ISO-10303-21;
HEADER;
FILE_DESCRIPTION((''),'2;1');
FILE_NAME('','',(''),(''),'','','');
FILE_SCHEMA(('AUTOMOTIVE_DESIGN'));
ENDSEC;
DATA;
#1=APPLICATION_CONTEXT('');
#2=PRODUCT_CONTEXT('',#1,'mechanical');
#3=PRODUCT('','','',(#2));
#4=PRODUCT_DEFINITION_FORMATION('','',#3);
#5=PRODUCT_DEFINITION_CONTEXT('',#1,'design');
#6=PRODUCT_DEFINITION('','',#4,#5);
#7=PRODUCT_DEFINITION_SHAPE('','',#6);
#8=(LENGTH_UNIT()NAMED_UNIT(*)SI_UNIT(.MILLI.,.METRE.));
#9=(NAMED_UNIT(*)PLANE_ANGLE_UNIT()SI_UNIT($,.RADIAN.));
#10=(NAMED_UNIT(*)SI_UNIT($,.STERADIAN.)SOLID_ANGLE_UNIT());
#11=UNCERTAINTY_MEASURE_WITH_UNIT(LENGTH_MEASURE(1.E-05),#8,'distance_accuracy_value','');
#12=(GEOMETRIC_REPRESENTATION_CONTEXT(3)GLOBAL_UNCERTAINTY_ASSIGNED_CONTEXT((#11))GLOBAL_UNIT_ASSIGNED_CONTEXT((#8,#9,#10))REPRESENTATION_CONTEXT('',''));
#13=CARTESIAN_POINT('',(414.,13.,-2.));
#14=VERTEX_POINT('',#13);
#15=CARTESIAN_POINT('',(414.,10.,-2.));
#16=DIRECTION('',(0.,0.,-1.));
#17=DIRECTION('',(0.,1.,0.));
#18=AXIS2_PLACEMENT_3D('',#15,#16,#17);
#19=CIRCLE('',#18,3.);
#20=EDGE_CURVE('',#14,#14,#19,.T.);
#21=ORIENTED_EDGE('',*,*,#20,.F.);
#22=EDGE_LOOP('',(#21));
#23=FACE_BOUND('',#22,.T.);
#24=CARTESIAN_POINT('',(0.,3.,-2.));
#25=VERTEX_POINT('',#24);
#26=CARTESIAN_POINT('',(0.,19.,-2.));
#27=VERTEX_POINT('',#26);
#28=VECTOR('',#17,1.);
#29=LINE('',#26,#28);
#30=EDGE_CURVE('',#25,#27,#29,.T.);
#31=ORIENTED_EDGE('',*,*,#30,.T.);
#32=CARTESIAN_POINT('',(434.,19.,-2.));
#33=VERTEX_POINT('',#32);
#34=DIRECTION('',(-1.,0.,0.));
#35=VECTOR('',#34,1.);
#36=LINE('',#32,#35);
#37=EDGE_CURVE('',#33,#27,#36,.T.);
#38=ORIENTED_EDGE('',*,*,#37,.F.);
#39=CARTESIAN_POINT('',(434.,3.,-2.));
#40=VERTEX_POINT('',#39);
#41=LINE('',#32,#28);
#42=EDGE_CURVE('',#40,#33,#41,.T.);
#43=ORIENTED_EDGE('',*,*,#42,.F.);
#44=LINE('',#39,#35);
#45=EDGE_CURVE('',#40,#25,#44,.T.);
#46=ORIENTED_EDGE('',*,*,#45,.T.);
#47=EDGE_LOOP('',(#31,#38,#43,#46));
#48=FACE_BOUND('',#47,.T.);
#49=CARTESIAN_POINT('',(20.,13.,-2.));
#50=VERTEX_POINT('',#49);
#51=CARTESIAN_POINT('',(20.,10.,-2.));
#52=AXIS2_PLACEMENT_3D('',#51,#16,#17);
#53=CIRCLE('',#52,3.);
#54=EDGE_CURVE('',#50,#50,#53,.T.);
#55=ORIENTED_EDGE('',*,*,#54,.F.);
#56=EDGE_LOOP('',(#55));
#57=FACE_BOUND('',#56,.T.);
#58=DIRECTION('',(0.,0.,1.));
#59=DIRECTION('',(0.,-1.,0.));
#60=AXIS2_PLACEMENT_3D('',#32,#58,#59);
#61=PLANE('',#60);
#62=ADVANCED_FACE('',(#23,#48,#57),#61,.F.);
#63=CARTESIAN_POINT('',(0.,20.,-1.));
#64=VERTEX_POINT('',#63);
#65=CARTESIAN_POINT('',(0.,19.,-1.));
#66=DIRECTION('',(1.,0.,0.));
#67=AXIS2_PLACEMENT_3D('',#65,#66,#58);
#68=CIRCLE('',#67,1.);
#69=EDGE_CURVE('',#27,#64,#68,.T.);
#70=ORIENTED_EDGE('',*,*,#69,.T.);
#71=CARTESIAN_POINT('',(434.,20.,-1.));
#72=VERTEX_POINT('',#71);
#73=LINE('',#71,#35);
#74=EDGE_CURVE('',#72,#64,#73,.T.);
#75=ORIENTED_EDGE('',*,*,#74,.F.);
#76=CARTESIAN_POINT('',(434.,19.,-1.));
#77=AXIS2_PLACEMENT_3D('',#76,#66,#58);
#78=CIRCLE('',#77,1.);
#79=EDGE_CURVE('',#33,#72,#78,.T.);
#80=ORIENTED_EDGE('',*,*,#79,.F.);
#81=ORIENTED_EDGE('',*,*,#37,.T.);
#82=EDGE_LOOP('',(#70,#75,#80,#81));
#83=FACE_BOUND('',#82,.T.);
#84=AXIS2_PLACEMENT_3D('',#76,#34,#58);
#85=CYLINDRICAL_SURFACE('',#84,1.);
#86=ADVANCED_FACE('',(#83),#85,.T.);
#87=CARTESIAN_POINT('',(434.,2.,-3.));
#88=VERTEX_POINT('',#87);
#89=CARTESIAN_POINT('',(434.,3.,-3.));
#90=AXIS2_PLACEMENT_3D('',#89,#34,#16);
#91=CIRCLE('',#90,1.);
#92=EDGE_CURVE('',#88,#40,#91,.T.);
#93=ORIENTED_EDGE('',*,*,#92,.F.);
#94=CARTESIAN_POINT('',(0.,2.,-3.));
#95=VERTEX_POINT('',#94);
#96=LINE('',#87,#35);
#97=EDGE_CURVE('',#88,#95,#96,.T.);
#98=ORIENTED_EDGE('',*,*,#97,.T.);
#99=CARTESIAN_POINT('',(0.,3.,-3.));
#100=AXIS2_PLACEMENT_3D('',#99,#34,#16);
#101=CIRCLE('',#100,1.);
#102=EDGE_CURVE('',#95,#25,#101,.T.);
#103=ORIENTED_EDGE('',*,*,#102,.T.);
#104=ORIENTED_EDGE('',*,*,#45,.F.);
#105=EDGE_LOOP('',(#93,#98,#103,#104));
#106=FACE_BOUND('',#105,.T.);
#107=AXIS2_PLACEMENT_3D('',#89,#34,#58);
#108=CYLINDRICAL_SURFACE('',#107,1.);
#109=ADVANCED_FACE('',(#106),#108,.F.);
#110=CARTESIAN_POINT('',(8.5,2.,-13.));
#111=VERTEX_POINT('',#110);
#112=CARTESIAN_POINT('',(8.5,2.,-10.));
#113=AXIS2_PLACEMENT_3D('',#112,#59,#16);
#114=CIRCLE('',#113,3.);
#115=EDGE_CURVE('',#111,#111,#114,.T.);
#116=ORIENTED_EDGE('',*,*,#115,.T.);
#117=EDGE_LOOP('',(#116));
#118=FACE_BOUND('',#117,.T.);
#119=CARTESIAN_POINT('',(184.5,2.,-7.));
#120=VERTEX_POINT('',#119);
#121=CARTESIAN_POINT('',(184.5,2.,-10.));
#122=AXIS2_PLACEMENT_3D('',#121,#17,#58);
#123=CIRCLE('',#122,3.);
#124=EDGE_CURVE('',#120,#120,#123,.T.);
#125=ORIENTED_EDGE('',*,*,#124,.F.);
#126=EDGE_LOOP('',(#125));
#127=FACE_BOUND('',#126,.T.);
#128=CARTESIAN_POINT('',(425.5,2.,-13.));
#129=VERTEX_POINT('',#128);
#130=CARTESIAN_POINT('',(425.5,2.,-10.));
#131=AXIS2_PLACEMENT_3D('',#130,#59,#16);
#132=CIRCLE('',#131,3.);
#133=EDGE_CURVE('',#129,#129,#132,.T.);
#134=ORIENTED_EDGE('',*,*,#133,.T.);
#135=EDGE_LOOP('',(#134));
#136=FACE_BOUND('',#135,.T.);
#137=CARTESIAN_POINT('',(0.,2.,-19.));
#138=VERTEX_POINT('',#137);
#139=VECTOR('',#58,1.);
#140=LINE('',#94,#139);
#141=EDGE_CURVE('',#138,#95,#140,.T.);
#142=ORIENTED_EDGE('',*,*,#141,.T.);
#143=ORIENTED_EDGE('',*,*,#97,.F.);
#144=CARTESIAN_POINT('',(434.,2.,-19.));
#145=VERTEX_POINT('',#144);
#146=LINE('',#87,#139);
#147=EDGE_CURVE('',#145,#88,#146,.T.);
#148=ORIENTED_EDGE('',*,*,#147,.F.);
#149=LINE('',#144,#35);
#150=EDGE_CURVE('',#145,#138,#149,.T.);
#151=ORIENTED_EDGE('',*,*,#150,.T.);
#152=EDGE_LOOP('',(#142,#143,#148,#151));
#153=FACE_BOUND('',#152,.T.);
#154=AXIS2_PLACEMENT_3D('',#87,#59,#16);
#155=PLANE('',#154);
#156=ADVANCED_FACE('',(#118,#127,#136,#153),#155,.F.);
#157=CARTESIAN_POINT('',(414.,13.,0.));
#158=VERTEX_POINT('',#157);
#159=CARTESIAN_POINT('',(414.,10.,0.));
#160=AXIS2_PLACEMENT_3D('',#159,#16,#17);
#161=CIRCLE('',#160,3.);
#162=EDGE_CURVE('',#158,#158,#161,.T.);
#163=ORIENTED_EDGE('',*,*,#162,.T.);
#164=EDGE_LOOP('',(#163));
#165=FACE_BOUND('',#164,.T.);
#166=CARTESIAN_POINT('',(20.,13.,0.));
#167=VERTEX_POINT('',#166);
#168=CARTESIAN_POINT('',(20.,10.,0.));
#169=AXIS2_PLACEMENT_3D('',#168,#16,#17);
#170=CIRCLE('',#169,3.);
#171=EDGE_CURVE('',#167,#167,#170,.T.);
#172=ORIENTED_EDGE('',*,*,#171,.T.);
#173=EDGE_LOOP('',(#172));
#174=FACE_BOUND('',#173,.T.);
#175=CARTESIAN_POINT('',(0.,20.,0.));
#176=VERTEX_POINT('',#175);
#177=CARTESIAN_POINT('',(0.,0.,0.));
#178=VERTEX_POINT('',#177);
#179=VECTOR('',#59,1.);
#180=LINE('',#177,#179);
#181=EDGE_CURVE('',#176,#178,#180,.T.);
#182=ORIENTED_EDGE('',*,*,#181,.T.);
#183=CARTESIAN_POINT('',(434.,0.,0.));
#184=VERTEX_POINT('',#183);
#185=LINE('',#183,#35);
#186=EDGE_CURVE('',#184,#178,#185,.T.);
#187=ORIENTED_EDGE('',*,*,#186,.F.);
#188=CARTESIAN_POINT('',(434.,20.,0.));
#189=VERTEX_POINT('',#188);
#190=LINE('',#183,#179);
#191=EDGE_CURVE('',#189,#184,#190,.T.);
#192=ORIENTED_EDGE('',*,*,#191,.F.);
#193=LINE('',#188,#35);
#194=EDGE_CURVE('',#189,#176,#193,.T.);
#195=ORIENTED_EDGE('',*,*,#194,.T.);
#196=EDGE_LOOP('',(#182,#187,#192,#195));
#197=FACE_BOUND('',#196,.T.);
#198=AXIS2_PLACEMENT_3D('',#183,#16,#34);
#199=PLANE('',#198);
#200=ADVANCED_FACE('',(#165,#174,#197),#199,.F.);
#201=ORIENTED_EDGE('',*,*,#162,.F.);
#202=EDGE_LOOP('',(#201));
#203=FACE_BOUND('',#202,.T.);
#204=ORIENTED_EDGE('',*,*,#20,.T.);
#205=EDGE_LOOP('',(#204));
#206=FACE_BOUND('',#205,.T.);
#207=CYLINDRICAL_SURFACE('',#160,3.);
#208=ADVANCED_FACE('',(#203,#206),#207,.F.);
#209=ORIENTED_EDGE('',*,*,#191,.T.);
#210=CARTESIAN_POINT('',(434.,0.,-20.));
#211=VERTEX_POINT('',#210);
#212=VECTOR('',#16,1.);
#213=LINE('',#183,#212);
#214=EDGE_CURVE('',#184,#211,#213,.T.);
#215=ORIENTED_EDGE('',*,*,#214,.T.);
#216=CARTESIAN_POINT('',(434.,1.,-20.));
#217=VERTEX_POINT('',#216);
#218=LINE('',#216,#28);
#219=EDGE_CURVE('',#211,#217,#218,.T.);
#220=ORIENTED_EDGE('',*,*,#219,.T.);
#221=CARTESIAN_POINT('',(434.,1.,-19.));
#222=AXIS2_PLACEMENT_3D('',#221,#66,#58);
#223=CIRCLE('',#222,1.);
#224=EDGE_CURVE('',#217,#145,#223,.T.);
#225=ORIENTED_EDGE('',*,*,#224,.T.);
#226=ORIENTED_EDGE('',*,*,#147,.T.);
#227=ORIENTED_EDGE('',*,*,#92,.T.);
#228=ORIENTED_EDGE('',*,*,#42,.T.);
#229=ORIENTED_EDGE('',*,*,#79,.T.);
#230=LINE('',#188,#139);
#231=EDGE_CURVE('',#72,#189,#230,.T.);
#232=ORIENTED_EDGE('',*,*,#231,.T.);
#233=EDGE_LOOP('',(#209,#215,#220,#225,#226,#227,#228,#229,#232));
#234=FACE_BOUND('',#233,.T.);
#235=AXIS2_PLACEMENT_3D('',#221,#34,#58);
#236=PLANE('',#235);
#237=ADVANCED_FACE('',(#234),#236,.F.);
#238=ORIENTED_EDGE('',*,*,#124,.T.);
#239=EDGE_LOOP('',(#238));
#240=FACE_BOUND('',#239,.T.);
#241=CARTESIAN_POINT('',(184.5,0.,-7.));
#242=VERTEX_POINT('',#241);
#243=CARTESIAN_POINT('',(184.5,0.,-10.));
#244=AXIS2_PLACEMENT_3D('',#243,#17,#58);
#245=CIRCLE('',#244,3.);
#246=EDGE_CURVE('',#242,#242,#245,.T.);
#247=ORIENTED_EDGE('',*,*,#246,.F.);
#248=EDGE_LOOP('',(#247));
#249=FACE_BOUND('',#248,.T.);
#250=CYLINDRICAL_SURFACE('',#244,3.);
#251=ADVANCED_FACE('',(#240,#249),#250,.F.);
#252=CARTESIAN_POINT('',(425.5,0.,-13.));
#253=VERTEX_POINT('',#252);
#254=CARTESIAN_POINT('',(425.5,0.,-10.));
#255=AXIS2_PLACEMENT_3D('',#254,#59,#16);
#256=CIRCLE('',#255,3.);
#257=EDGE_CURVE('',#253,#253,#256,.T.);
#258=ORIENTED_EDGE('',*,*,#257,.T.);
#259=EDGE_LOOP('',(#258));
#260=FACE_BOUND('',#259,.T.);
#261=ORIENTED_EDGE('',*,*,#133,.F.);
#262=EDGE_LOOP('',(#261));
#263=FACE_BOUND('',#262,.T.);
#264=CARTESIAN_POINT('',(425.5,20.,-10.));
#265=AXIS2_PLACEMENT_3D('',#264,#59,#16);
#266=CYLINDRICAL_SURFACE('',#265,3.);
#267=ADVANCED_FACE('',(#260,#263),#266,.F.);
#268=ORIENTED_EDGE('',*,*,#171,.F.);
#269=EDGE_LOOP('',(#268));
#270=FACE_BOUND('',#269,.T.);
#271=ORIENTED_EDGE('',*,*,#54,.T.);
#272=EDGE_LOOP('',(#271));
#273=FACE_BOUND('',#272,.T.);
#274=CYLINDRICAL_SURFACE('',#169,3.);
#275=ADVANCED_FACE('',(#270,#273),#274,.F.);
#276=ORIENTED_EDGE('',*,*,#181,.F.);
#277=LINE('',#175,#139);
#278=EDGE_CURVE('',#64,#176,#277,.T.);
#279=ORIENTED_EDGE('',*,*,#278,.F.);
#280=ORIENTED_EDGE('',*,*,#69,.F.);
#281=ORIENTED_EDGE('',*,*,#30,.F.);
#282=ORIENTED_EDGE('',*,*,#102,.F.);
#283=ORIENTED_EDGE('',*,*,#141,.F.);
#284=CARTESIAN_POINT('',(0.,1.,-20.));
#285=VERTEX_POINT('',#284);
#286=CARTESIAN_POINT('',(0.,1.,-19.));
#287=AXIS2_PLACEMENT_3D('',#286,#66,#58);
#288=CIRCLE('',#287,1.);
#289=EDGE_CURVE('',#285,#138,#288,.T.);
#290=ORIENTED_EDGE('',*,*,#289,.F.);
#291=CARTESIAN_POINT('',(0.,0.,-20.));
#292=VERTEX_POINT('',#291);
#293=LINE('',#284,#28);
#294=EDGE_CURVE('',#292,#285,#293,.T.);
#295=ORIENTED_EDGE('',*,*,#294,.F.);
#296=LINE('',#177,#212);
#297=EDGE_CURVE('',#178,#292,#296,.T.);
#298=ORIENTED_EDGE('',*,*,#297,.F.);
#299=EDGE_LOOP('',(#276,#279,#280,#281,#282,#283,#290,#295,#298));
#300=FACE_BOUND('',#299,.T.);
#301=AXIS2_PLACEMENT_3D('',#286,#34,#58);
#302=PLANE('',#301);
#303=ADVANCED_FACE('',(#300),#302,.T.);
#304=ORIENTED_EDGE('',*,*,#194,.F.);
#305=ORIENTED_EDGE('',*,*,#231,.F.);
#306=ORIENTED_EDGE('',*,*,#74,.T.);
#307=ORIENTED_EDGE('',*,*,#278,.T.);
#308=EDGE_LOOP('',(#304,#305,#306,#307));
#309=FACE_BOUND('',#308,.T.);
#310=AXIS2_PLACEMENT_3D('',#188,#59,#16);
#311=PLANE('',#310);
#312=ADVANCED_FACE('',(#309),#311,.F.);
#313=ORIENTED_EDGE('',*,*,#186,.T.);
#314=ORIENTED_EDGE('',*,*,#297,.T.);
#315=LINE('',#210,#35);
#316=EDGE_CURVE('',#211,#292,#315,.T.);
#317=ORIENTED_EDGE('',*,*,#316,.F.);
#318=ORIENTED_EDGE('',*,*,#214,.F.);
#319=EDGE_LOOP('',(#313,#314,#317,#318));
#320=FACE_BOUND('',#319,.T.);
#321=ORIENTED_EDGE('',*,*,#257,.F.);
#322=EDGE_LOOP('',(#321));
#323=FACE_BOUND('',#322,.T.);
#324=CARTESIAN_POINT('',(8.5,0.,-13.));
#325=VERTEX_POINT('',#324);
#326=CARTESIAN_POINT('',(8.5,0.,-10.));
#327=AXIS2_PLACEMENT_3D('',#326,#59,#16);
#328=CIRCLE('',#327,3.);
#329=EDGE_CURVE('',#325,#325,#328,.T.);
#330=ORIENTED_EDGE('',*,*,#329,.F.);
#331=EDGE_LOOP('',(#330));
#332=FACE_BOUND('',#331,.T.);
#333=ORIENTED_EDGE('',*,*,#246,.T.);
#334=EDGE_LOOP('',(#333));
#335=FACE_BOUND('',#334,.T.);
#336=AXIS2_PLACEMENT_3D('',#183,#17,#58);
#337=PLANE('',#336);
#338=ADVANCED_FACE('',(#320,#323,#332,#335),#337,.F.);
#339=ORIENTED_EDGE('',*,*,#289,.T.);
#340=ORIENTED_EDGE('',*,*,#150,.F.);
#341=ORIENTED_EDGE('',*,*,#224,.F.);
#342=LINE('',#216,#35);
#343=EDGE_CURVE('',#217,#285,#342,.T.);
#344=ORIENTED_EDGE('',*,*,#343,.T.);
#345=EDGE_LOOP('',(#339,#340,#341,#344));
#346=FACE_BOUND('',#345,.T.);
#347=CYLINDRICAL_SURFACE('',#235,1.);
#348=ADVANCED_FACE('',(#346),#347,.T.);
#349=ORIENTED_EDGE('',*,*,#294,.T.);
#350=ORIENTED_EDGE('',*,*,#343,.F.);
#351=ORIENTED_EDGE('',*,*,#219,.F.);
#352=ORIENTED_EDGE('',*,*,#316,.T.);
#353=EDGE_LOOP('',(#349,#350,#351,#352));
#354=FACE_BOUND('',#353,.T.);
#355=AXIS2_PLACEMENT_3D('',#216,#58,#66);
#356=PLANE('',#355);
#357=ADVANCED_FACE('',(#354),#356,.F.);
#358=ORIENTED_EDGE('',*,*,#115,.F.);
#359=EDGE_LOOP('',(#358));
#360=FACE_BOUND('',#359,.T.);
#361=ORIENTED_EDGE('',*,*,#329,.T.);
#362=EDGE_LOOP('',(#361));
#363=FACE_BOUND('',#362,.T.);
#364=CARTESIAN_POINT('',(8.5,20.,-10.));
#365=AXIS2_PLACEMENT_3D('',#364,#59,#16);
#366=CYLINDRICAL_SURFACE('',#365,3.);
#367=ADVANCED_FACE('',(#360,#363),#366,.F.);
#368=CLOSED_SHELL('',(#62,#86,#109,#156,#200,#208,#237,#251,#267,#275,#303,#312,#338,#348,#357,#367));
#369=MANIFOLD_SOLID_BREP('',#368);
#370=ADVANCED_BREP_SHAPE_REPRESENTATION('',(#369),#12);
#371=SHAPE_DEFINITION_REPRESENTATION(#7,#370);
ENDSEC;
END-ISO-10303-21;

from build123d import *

# Parameters (mm, degrees)
EXTRUDE_1_DEPTH     = 434
SKETCH_2_R          = 3
CUT_EXTRUDE_1_DEPTH = 435.920682424
SKETCH_3_R          = 3
CUT_EXTRUDE_2_DEPTH = 435.833301393
SKETCH_5_R          = 3
CUT_EXTRUDE_4_DEPTH = 2


with BuildPart() as part:
    # Эскиз1 → Бобышка-Вытянуть1 (new body)
    with BuildSketch(Plane(origin=(0, 0, 0), x_dir=(0, 0, -1), z_dir=(1, 0, 0))):
        with BuildLine():
            Line((0, 0), (0, 20))
            Line((0, 20), (1, 20))
            ThreePointArc((1, 20), (1.707106781, 19.707106781), (2, 19))
            Line((2, 19), (2, 3))
            ThreePointArc((2, 3), (2.292893219, 2.292893219), (3, 2))
            Line((3, 2), (19, 2))
            ThreePointArc((19, 2), (19.707106781, 1.707106781), (20, 1))
            Line((20, 1), (20, 0))
            Line((20, 0), (0, 0))
        make_face()
    extrude(amount=EXTRUDE_1_DEPTH)

    # Эскиз2 → Вырез-Вытянуть1 (cut, through all)
    with BuildSketch(Plane.XZ):
        with Locations(Location((425.5, -10, 0), (0, 0, 270))):
            Circle(SKETCH_2_R)
        with Locations(Location((8.5, -10, 0), (0, 0, 270))):
            Circle(SKETCH_2_R)
    extrude(amount=-CUT_EXTRUDE_1_DEPTH, mode=Mode.SUBTRACT)

    # Эскиз3 → Вырез-Вытянуть2 (cut, through all)
    with BuildSketch(Plane(origin=(0, 0, -2), x_dir=(-1, 0, 0), z_dir=(0, 0, -1))):
        with Locations(Location((-414, 10, 0), (0, 0, 90))):
            Circle(SKETCH_3_R)
        with Locations(Location((-20, 10, 0), (0, 0, 90))):
            Circle(SKETCH_3_R)
    extrude(amount=-CUT_EXTRUDE_2_DEPTH, mode=Mode.SUBTRACT)

    # Эскиз5 → Вырез-Вытянуть4 (cut)
    with BuildSketch(Plane(origin=(0, 2, 0), x_dir=(1, 0, 0), z_dir=(0, 1, 0))):
        with Locations(Location((184.5, 10, 0), (0, 0, 270))):
            Circle(SKETCH_5_R)
    extrude(amount=-CUT_EXTRUDE_4_DEPTH, mode=Mode.SUBTRACT)


solid = part.part
